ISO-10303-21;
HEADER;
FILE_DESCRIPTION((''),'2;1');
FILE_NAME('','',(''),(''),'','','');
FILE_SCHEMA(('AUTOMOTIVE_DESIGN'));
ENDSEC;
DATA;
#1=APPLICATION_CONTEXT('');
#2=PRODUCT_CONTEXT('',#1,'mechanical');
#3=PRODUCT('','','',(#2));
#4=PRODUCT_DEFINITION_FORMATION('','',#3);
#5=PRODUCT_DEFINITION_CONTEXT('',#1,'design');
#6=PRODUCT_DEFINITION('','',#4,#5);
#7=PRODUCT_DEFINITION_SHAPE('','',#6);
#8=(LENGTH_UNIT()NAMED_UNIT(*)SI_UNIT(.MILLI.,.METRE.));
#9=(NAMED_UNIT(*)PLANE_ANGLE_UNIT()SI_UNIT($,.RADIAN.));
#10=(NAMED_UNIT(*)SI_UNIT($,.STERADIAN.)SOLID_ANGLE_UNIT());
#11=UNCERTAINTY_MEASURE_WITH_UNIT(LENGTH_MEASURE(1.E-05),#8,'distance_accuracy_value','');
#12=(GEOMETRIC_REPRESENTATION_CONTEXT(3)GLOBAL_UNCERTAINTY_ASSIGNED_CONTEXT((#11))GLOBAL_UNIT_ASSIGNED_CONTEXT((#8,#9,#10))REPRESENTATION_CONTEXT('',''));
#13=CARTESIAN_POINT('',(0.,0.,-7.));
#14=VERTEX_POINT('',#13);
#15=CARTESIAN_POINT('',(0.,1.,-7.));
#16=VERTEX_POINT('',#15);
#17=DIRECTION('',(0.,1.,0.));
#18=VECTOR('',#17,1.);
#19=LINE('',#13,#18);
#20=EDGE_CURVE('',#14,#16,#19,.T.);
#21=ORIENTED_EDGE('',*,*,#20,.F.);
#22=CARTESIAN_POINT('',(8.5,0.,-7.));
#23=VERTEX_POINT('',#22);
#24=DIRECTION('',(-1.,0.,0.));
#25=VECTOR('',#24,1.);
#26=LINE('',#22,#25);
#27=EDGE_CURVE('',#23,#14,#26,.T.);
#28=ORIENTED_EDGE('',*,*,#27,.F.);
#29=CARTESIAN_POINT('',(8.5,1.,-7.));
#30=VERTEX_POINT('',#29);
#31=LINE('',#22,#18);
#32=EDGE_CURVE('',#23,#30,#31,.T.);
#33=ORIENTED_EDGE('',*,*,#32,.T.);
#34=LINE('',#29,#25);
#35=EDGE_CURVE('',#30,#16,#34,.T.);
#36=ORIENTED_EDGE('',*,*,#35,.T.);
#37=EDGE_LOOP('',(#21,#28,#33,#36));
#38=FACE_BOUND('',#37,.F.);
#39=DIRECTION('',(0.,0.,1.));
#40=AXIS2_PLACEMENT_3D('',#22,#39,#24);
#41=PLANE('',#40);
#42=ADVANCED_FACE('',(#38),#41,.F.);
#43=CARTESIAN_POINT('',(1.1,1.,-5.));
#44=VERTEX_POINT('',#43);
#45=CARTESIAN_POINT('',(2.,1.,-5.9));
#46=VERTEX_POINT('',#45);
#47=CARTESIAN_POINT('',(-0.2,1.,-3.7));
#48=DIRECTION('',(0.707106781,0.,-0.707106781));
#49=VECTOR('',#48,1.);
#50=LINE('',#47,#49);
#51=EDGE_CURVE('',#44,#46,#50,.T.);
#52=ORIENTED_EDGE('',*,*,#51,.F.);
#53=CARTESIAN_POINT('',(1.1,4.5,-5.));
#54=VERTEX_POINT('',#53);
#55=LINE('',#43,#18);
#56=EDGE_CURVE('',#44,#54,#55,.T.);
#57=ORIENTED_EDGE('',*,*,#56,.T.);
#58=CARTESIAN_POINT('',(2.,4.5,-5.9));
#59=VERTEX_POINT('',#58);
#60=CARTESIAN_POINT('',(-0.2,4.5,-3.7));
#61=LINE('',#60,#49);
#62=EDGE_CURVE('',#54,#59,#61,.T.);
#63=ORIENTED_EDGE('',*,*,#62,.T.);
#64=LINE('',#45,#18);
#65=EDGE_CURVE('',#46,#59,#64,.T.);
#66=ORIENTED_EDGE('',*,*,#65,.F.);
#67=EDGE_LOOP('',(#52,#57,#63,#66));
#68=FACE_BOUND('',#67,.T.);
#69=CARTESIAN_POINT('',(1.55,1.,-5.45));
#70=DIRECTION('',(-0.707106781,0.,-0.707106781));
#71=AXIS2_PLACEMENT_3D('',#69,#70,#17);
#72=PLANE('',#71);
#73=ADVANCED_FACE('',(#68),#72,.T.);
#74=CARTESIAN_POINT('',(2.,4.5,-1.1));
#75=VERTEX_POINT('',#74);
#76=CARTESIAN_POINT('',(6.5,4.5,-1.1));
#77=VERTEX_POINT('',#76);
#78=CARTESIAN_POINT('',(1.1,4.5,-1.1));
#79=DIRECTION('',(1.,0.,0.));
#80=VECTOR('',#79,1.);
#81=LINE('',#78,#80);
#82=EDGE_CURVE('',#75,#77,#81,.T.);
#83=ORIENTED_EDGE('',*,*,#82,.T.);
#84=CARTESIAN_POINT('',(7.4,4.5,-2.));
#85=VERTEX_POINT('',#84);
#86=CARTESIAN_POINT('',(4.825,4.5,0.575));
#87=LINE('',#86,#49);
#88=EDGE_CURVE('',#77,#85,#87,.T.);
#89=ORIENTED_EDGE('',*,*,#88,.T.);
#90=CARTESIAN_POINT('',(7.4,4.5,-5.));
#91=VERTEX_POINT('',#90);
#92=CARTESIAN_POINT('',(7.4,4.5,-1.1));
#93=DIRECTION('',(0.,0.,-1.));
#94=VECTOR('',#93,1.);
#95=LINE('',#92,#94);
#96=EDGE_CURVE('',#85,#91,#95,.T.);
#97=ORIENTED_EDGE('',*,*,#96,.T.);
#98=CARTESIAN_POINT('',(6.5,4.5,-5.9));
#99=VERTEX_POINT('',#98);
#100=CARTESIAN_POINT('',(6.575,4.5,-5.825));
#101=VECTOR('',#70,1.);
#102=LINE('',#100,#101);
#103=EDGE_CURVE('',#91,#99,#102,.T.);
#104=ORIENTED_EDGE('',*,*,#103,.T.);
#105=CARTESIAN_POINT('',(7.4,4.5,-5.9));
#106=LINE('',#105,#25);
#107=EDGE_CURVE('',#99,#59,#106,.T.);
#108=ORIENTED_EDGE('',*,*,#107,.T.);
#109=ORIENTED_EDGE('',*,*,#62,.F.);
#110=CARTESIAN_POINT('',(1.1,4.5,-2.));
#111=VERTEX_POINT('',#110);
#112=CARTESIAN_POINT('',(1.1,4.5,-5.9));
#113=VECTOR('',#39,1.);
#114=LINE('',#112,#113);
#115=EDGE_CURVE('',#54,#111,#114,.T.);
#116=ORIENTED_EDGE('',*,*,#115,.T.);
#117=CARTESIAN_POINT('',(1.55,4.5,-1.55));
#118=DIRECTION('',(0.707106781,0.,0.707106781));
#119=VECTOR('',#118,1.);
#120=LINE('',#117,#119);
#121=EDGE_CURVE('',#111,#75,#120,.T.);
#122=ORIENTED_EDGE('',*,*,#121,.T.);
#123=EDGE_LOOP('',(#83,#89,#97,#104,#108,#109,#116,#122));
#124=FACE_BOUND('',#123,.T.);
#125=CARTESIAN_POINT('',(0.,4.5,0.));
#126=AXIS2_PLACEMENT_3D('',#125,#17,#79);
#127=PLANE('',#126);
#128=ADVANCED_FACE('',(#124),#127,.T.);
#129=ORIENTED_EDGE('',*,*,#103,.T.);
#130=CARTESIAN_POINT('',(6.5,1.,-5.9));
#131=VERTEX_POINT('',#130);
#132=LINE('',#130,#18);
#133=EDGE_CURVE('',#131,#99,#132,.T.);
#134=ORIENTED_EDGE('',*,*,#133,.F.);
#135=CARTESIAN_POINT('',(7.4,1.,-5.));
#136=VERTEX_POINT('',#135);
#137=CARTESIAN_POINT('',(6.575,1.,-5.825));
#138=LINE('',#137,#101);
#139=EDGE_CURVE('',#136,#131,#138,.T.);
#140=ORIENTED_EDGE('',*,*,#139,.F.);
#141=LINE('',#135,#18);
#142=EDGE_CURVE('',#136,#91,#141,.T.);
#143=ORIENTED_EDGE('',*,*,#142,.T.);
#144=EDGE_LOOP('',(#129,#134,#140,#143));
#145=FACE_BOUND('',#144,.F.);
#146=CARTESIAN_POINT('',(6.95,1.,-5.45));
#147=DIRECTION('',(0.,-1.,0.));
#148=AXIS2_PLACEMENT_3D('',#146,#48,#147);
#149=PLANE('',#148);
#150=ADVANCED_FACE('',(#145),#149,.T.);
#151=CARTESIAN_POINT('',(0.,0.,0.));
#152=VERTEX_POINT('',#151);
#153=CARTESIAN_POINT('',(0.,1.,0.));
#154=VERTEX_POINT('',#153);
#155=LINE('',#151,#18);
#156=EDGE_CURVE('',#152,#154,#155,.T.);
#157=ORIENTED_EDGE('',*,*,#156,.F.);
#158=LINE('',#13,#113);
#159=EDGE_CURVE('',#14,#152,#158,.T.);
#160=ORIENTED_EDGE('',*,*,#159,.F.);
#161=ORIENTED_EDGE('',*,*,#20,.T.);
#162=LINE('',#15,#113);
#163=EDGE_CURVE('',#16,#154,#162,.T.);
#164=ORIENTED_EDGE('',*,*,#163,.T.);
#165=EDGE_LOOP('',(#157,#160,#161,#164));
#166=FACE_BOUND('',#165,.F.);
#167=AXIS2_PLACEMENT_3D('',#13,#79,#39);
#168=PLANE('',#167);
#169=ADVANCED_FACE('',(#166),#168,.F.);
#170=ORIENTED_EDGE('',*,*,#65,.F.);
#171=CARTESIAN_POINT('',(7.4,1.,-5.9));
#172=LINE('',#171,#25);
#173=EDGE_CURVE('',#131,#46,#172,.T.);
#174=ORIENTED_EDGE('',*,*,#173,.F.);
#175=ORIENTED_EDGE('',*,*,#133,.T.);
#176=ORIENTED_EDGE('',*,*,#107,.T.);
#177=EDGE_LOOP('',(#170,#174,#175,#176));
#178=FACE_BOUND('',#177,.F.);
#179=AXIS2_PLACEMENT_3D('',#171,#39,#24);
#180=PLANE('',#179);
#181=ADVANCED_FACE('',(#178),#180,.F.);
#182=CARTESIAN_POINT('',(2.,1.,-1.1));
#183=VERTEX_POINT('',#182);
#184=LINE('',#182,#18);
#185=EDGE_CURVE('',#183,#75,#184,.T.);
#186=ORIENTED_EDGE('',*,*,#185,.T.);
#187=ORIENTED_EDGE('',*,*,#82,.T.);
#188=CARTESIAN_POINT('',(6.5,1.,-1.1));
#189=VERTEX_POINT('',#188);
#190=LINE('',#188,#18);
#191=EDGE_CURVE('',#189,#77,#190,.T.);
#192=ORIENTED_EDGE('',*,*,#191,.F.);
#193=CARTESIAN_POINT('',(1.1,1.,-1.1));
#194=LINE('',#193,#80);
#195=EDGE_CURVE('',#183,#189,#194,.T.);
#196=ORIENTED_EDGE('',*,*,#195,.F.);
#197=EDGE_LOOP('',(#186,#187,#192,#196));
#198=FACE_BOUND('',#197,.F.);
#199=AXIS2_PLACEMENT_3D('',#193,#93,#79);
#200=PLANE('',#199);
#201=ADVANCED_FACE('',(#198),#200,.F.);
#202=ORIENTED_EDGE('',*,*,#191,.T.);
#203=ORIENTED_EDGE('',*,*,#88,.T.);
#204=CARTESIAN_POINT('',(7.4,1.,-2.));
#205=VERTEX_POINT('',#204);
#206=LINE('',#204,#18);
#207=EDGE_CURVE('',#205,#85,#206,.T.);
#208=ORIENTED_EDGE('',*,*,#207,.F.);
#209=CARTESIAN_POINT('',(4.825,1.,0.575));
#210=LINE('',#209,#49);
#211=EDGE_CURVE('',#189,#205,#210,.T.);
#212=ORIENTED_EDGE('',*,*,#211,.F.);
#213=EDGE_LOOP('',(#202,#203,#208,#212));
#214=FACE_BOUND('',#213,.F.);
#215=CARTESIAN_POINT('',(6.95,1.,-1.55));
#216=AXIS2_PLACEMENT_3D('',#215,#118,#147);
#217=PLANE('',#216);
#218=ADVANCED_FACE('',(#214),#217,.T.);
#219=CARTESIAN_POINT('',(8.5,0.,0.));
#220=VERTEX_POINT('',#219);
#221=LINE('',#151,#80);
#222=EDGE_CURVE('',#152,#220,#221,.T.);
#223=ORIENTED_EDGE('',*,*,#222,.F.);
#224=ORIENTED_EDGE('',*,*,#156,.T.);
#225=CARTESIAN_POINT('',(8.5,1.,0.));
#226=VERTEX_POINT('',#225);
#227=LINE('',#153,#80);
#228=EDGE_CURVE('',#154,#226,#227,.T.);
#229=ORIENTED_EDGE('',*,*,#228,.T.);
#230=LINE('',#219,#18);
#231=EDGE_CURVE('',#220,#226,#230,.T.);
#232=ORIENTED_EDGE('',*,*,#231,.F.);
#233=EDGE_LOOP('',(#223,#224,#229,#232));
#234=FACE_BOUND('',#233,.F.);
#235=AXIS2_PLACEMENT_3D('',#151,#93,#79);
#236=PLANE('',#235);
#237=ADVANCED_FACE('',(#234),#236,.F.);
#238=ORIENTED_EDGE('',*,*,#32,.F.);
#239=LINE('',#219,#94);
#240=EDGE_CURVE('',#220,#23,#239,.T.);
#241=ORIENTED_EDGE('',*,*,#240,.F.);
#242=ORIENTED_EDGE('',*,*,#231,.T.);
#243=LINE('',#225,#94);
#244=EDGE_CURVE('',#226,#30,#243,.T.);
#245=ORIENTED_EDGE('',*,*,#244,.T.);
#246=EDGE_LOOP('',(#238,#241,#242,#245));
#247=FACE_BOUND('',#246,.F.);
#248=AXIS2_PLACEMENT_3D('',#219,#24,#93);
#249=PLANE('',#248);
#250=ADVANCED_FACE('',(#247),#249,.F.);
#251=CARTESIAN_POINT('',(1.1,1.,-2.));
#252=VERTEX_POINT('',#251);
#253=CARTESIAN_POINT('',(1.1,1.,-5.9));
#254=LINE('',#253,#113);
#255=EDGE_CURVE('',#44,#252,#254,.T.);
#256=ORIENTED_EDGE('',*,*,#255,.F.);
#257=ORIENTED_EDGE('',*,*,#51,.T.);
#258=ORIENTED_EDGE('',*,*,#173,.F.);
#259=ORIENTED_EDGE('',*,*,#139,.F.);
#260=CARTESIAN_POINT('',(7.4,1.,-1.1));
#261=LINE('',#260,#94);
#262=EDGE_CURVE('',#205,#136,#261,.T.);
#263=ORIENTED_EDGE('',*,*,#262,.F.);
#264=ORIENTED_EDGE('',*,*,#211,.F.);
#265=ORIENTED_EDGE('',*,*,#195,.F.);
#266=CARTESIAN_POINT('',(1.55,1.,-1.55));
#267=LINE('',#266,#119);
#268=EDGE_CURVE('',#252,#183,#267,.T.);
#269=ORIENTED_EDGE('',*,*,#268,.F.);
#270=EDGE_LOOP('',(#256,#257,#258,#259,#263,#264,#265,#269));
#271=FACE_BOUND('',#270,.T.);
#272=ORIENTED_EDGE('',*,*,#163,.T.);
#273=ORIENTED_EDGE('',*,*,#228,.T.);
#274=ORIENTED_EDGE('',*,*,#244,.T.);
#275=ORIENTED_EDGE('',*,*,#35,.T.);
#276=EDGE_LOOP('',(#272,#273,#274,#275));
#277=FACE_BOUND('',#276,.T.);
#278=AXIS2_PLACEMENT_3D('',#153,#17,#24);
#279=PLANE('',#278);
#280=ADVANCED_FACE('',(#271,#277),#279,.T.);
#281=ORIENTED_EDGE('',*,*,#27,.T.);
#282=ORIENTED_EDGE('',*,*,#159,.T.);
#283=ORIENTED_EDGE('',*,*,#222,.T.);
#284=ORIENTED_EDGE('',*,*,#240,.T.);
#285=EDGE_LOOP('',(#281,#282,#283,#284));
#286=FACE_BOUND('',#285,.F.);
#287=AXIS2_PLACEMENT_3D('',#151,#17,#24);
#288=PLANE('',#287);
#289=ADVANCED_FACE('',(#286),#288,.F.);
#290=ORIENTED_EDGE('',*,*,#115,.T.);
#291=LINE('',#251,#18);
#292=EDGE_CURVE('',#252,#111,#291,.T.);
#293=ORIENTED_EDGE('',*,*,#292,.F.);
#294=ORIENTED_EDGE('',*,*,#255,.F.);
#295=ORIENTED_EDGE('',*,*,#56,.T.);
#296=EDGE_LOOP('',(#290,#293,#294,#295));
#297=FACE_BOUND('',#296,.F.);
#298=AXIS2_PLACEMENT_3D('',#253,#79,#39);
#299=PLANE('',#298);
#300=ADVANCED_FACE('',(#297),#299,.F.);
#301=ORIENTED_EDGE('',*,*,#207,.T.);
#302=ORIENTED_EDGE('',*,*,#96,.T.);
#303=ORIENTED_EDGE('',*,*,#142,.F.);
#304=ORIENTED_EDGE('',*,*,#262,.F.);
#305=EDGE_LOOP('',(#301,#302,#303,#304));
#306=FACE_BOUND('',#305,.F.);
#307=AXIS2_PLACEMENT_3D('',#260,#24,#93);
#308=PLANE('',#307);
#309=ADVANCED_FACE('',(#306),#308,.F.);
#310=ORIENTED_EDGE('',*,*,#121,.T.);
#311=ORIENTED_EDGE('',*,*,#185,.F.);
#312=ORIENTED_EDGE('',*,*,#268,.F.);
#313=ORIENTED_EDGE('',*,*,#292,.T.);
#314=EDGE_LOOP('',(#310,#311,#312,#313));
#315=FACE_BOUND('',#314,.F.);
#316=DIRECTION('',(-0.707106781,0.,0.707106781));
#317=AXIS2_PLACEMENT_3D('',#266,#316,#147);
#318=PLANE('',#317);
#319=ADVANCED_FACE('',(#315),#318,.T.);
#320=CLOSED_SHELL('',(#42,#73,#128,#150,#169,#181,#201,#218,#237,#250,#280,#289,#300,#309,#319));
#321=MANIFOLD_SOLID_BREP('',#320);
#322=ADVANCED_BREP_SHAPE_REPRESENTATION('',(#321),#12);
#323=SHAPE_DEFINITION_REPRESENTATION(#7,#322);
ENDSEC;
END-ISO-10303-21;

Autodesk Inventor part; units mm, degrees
ref_plane "YZ Plane" through (0, 0, 0) normal (1, 0, 0) x (0, 1, 0)
ref_plane "XZ Plane" through (0, 0, 0) normal (0, 1, 0) x (-1, 0, 0)
ref_plane "XY Plane" through (0, 0, 0) normal (0, 0, 1) x (1, 0, 0)
sketch "Náčrt1" plane through (0, 0, 0) normal (0, 1, 0) x (-1, 0, 0)
  line L0 (0, 0) -> (-8.5, 0)
  line L1 (-8.5, 0) -> (-8.5, -7)
  line L2 (-8.5, -7) -> (0, -7)
  line L3 (0, -7) -> (0, 0)
  dimension "d0" = 8.5
  dimension "d1" = 7
extrude "Vysunutí1" add sketch "Náčrt1" along normal blind 1
sketch "Náčrt2" plane through (0, 1, 0) normal (0, 1, 0) x (1, 0, 0)
  line L0 (1.1, 1.1) -> (7.4, 1.1)
  line L1 (7.4, 1.1) -> (7.4, 5.9)
  line L2 (7.4, 5.9) -> (1.1, 5.9)
  line L3 (1.1, 5.9) -> (1.1, 1.1)
  line L4 (8.5, 7) -> (0, 7) projected
  line L5 (0, 7) -> (0, 0) projected
  dimension "d4" = 6.3
  dimension "d5" = 4.8
  dimension "d6" = 1.1
  dimension "d7" = 1.1
extrude "Vysunutí2" add sketch "Náčrt2" along normal blind 3.5
chamfer "Zkosení1" distance 0.9 angle 45 4 edges at (1.1, 2.75, -5.9) (1.1, 2.75, -1.1) (7.4, 2.75, -1.1) (7.4, 2.75, -5.9)
sketch "Náčrt3" plane through (0, 0, 0) normal (0, 0, 1) x (1, 0, 0)
  point P0 (0, 0)
sketch "Náčrt4" plane through (0, 1, 0) normal (0, 1, 0) x (1, 0, 0)
  point P0 (0, 0)
properties part number "MiddleButton"
